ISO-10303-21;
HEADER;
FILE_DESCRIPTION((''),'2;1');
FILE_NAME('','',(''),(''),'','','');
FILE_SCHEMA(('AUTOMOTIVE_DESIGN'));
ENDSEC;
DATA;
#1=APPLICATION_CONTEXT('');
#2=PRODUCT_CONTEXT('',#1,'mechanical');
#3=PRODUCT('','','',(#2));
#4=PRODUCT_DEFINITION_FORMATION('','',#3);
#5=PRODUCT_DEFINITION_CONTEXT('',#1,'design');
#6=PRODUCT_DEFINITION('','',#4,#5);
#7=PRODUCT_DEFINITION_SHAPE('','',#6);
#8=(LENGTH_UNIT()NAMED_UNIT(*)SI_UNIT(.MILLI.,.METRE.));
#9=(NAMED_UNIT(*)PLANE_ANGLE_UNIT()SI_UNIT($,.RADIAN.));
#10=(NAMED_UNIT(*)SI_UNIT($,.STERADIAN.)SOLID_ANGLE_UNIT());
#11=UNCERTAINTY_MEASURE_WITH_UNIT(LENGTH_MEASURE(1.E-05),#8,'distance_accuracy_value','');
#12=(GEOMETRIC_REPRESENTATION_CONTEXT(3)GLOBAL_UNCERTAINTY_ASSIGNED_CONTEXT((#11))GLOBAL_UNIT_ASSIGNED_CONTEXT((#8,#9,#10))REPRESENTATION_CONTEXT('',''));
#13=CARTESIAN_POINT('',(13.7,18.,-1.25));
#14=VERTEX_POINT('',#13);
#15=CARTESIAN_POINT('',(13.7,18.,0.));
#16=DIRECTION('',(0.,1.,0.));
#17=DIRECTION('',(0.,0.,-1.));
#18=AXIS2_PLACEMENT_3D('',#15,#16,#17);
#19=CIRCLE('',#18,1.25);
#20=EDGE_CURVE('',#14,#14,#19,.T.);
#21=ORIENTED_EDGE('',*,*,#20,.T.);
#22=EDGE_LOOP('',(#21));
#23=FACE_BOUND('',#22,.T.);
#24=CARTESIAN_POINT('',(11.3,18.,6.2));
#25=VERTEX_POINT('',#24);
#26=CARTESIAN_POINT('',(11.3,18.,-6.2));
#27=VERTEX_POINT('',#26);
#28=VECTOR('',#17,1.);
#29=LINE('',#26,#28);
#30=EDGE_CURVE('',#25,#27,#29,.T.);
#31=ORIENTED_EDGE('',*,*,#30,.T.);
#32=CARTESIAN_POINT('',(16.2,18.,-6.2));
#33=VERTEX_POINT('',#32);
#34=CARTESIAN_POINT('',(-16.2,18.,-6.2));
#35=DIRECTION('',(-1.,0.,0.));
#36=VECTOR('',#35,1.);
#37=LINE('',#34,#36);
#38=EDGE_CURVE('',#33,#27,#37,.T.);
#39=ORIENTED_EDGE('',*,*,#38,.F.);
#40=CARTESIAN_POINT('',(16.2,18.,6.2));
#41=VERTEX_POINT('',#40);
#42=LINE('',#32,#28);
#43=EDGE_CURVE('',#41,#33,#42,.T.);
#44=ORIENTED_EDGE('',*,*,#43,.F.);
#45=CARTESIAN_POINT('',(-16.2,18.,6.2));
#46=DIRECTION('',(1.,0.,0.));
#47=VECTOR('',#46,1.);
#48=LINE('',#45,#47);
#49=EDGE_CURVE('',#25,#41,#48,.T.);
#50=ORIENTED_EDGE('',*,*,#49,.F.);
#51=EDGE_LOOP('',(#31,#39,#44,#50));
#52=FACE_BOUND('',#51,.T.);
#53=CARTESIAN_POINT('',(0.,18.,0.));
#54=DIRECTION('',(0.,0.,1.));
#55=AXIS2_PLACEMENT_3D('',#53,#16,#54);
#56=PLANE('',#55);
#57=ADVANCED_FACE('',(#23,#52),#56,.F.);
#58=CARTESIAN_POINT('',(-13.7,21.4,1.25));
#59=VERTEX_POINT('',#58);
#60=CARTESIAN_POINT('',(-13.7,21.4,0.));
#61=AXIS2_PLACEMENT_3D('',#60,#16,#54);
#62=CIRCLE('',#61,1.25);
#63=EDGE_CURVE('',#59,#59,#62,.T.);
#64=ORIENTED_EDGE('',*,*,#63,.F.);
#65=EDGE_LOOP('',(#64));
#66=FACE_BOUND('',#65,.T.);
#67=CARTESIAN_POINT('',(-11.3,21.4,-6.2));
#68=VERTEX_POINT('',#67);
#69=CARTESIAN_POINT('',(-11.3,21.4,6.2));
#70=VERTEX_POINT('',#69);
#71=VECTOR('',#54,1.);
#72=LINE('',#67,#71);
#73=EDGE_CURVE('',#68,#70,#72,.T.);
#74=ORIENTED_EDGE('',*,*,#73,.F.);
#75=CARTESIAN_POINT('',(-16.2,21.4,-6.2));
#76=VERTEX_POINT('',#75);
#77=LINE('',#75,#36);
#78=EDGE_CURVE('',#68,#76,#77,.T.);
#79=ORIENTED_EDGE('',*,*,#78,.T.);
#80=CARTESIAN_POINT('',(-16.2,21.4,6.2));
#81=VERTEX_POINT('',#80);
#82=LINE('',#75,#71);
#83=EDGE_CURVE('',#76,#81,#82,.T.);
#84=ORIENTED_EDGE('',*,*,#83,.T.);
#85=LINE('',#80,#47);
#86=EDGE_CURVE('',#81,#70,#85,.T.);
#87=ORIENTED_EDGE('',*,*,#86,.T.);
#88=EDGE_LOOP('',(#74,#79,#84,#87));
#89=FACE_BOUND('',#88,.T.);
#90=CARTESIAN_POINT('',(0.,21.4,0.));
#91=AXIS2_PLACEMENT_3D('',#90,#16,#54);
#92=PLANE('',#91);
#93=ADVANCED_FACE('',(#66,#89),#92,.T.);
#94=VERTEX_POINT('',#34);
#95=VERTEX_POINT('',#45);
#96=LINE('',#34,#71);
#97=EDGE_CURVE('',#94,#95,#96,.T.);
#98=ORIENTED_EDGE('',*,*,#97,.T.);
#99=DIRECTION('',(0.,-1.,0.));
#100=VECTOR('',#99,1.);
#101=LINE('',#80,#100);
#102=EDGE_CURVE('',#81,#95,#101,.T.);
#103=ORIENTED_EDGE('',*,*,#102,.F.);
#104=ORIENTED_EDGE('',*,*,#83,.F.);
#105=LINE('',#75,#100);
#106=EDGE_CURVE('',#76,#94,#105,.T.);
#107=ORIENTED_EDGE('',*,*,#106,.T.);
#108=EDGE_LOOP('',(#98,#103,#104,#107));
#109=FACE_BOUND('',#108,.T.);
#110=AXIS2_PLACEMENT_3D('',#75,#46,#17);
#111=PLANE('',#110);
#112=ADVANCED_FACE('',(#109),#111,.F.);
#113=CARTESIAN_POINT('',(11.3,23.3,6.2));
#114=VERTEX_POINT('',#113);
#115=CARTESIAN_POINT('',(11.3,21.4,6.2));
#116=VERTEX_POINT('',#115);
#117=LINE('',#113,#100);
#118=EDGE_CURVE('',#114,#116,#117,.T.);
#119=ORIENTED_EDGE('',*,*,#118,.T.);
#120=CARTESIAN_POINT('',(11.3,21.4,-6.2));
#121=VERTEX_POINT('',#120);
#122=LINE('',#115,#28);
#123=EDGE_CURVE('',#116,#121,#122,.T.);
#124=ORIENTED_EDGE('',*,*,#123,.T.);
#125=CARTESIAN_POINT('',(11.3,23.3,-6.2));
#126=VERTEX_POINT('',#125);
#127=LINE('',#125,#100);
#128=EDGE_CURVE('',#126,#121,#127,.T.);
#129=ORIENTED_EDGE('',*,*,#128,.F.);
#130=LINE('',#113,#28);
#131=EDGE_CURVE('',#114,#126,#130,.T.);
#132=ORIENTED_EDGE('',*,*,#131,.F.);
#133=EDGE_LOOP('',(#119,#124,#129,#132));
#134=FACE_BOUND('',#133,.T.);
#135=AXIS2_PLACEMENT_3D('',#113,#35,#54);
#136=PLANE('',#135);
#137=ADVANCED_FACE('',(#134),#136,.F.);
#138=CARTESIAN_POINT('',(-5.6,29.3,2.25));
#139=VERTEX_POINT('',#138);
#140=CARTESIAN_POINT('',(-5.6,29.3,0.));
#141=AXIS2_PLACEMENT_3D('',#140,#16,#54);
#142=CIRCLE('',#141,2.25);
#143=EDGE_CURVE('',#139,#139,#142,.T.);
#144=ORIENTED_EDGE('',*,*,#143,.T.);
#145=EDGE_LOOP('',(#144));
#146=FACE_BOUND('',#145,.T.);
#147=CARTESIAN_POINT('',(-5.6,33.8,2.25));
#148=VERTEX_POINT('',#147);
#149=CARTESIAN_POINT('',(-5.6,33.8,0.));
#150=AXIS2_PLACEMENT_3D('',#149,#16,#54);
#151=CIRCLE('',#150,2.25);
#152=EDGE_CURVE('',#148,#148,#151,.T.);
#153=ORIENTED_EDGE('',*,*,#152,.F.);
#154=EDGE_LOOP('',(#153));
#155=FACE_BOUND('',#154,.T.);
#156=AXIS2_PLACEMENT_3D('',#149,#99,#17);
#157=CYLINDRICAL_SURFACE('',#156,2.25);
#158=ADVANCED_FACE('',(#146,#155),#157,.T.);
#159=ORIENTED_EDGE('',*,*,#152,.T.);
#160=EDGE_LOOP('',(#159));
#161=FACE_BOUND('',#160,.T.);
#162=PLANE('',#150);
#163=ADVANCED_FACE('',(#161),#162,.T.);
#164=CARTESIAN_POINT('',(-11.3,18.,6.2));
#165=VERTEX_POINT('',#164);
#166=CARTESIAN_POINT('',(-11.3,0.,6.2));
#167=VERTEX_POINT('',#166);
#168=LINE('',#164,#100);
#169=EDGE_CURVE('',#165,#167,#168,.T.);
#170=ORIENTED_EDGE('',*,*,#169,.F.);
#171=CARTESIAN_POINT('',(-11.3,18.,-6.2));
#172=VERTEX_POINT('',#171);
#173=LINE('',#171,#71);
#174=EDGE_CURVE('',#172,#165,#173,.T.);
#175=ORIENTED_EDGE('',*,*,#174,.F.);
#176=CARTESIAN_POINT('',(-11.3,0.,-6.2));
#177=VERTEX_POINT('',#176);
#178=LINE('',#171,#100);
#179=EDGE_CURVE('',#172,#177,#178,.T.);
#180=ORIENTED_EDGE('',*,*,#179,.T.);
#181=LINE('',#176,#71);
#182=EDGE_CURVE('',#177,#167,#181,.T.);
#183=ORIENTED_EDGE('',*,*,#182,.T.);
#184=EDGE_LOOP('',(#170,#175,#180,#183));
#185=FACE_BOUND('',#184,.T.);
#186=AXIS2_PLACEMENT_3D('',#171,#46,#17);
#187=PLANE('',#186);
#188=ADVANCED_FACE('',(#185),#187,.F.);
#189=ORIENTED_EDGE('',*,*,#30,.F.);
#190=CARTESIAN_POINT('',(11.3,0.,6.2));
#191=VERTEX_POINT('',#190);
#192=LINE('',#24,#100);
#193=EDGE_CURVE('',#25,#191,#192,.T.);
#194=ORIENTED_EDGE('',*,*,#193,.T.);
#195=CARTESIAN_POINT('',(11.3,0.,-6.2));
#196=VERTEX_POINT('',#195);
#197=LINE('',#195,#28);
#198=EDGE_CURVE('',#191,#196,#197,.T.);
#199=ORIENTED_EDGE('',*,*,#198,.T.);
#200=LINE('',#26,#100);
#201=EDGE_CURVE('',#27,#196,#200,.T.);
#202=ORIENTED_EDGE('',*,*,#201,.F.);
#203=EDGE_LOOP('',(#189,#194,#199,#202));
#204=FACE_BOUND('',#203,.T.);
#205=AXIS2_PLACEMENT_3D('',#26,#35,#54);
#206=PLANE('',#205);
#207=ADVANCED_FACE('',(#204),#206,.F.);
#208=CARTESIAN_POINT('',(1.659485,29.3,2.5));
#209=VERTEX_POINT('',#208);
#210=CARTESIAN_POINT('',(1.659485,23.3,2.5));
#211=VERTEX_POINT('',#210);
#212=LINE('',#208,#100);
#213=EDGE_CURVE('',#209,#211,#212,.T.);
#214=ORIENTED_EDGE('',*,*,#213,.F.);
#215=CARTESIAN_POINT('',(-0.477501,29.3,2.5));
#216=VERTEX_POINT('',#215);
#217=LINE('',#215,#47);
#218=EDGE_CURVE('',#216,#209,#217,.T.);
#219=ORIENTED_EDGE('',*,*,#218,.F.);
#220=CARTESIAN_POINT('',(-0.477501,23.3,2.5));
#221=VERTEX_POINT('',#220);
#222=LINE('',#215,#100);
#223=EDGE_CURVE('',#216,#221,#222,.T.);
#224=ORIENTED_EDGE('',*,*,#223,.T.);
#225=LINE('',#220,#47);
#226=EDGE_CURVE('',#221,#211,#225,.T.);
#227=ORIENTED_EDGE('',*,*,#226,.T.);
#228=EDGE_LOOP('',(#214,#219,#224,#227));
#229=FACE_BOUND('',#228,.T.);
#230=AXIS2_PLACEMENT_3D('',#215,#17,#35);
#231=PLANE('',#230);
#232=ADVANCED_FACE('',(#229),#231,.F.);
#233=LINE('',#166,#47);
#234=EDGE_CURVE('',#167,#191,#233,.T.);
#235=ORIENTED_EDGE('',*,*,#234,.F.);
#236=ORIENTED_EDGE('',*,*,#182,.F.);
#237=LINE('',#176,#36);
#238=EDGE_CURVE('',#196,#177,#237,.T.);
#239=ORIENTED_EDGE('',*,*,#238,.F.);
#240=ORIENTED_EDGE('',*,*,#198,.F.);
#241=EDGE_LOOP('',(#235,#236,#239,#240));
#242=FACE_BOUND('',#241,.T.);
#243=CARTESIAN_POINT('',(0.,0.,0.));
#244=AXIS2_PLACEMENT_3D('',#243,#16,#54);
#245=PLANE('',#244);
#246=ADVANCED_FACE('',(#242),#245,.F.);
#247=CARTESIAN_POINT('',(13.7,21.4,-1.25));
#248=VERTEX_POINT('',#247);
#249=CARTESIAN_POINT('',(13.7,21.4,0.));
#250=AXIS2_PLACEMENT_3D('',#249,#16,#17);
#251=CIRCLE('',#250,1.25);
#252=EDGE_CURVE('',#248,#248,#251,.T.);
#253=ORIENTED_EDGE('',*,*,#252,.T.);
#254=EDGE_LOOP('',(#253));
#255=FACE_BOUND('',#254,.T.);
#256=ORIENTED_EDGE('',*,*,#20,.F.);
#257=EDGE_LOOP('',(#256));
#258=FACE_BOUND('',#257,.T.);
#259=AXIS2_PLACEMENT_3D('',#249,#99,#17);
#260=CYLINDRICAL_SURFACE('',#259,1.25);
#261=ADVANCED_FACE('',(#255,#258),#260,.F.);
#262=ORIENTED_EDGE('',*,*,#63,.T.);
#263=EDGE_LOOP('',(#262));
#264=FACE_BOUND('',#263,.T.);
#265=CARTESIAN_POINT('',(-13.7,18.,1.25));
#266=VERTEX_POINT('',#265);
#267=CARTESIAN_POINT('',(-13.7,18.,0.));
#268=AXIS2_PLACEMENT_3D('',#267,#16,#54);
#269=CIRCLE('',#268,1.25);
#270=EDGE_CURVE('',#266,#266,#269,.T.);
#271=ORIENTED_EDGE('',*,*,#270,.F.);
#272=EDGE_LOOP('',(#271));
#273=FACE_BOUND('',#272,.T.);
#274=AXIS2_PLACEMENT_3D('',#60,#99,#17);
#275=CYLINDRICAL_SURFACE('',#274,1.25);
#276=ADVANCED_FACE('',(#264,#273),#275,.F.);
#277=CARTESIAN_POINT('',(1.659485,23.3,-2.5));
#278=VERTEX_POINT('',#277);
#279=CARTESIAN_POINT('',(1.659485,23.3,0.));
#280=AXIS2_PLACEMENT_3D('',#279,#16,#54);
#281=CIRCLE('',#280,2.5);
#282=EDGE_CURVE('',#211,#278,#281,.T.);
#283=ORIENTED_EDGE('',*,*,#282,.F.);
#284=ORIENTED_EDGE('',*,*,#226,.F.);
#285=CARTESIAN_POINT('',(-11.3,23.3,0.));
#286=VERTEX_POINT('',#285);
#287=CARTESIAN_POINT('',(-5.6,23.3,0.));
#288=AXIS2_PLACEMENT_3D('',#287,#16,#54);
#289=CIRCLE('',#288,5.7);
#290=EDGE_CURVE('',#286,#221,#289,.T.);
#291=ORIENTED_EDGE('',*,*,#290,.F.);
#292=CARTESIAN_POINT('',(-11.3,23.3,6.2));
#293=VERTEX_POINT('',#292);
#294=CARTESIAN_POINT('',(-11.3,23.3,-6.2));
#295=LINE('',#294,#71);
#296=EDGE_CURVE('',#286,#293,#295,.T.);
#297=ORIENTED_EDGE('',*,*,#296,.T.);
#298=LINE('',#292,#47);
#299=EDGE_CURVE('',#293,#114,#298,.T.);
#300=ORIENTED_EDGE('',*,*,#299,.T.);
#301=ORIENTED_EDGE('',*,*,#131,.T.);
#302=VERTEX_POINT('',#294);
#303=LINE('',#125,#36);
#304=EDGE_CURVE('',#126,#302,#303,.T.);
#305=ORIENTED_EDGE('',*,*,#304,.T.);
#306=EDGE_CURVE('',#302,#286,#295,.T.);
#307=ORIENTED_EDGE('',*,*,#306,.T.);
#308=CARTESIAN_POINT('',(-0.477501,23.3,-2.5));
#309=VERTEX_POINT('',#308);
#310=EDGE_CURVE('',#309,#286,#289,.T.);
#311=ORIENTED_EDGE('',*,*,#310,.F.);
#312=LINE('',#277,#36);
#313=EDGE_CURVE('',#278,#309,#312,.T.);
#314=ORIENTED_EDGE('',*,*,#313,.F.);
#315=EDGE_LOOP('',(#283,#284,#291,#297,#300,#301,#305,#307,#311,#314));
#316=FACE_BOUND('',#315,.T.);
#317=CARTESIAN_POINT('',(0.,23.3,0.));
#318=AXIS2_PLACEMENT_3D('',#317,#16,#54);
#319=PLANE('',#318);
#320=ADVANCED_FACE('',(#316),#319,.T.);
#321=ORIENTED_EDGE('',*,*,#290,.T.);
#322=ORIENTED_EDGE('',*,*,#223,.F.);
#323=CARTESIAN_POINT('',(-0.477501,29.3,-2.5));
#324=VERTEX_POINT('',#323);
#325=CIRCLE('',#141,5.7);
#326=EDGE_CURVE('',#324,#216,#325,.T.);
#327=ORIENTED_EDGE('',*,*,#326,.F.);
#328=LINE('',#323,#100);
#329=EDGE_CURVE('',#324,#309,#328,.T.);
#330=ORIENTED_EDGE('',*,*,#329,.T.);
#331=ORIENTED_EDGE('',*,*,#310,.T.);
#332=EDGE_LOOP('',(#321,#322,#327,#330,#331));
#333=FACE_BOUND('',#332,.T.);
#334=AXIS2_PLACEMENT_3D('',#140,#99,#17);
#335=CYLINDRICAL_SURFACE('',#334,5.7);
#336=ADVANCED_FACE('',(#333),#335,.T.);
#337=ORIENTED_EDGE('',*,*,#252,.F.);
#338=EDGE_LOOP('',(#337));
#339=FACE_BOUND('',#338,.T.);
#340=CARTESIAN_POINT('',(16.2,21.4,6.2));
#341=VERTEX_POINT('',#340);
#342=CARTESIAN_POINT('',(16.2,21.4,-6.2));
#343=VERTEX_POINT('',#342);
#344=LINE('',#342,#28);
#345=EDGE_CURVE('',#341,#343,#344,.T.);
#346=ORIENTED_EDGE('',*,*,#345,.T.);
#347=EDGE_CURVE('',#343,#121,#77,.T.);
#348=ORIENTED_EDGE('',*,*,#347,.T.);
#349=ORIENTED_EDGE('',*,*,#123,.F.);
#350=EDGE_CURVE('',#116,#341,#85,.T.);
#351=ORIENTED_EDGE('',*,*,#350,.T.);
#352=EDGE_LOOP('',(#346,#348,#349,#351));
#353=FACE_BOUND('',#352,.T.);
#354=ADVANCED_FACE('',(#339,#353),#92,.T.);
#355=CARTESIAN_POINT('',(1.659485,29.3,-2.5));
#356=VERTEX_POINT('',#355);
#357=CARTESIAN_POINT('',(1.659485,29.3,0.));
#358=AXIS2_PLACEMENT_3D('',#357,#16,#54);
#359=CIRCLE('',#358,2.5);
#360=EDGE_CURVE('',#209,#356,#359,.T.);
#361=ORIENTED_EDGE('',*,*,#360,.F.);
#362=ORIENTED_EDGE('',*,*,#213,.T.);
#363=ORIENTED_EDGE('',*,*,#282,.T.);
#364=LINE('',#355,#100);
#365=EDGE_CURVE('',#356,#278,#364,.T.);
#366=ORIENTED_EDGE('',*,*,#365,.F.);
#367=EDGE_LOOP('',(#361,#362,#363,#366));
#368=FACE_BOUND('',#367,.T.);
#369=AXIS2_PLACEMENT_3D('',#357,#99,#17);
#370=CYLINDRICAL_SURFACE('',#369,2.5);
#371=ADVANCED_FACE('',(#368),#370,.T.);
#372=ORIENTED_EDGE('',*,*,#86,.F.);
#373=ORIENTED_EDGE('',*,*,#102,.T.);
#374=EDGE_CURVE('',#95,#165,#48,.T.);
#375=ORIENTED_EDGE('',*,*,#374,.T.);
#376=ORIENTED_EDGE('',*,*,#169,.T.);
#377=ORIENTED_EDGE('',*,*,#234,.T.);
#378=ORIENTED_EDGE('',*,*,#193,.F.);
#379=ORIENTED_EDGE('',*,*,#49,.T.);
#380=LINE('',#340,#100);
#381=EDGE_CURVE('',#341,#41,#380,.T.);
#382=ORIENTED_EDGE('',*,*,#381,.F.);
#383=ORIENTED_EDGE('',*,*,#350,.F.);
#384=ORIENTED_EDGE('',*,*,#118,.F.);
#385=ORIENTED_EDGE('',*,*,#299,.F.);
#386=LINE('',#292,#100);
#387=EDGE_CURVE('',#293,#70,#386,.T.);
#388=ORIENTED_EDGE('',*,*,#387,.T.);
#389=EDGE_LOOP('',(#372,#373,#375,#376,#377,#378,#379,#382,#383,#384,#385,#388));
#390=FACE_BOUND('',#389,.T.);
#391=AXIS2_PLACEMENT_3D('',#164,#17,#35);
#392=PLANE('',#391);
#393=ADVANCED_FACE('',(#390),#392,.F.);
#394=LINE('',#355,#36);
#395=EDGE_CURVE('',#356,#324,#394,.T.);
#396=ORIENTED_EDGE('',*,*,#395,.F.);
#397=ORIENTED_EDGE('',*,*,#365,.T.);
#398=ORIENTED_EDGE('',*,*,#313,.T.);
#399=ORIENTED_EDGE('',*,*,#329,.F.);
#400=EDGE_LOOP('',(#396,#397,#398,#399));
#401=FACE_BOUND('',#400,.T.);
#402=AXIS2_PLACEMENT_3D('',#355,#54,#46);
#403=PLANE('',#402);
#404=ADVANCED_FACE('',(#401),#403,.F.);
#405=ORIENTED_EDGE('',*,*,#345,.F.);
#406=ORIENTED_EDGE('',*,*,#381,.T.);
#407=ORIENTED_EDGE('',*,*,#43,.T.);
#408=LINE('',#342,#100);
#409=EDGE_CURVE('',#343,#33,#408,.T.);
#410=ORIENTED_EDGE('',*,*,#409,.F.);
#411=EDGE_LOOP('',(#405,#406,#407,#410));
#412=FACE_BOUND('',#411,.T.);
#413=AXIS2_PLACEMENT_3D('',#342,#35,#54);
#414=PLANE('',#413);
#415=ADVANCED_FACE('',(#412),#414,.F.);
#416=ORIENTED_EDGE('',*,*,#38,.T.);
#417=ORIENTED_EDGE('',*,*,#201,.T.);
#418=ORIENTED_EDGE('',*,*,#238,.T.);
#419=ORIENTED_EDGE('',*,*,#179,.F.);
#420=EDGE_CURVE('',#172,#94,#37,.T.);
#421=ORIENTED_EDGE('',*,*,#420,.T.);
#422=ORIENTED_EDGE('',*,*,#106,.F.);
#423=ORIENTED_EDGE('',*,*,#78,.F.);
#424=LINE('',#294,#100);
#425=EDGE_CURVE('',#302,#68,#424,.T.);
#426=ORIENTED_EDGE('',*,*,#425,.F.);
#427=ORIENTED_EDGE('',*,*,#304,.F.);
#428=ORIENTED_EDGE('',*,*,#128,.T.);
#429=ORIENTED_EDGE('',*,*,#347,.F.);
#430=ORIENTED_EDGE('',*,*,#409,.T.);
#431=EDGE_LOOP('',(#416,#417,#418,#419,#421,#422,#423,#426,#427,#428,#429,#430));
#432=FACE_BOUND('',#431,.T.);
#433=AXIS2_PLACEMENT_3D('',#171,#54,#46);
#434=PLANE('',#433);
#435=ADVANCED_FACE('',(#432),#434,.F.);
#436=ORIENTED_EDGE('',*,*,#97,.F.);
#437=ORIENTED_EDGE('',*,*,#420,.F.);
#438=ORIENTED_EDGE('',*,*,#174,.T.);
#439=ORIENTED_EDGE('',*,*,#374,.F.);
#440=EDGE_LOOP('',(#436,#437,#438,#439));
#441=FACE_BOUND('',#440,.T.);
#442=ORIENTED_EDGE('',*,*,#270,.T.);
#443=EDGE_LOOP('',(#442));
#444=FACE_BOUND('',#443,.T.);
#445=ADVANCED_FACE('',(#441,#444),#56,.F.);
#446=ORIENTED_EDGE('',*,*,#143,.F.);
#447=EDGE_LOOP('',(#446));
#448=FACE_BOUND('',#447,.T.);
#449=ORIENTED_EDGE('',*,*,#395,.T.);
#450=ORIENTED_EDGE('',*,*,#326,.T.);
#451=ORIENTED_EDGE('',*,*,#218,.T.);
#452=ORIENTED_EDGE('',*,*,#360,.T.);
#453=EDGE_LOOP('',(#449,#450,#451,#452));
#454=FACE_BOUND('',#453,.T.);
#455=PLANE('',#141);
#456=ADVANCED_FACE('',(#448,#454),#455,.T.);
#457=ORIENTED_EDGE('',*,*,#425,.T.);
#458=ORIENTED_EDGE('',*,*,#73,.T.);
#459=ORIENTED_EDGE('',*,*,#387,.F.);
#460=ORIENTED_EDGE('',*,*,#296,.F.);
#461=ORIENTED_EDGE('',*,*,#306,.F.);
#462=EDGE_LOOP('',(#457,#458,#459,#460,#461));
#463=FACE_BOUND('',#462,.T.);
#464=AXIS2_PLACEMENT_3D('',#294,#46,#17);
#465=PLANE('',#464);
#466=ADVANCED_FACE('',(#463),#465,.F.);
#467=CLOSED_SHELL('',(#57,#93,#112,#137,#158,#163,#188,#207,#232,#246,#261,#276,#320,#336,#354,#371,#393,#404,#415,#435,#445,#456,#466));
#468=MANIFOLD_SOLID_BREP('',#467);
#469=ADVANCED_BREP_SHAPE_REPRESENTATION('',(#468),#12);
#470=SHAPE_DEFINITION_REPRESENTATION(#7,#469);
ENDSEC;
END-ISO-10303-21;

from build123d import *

# Parameters (mm, degrees)
SKETCH_1_W      = 22.6
SKETCH_1_H      = 12.4
EXTRUDE_1_DEPTH = 18
SKETCH_2_W      = 32.4
SKETCH_2_H      = 12.4
SKETCH_2_R      = 1.25
EXTRUDE_2_DEPTH = 3.4
SKETCH_3_W      = 22.6
SKETCH_3_H      = 12.4
EXTRUDE_3_DEPTH = 1.9
EXTRUDE_4_DEPTH = 6
SKETCH_5_R      = 2.25
EXTRUDE_5_DEPTH = 4.5


with BuildPart() as part:
    # 草图1 → 凸台-拉伸1 (new body)
    with BuildSketch(Plane(origin=(0, 0, 0), x_dir=(1, 0, 0), z_dir=(0, 1, 0))):
        Rectangle(SKETCH_1_W, SKETCH_1_H)
    extrude(amount=EXTRUDE_1_DEPTH)

    # 草图2 → 凸台-拉伸2 (add)
    with BuildSketch(Plane(origin=(0, 18, 0), x_dir=(1, 0, 0), z_dir=(0, 1, 0))):
        Rectangle(SKETCH_2_W, SKETCH_2_H)
        with Locations((-13.7, 0)):
            Circle(SKETCH_2_R, mode=Mode.SUBTRACT)
        with Locations((13.7, 0)):
            Circle(SKETCH_2_R, mode=Mode.SUBTRACT)
    extrude(amount=EXTRUDE_2_DEPTH)

    # 草图3 → 凸台-拉伸3 (add)
    with BuildSketch(Plane(origin=(0, 21.4, 0), x_dir=(1, 0, 0), z_dir=(0, 1, 0))):
        Rectangle(SKETCH_3_W, SKETCH_3_H)
    extrude(amount=EXTRUDE_3_DEPTH)

    # 草图4 → 凸台-拉伸4 (add)
    with BuildSketch(Plane(origin=(0, 23.3, 0), x_dir=(1, 0, 0), z_dir=(0, 1, 0))):
        with BuildLine():
            Line((1.659485126, 2.5), (-0.47750061, 2.5))
            ThreePointArc((-0.47750061, 2.5), (-11.3, 0), (-0.47750061, -2.5))
            Line((-0.47750061, -2.5), (1.659485126, -2.5))
            ThreePointArc((1.659485126, -2.5), (4.159485126, 0), (1.659485126, 2.5))
        make_face()
    extrude(amount=EXTRUDE_4_DEPTH)

    # 草图5 → 凸台-拉伸5 (add)
    with BuildSketch(Plane(origin=(0, 29.3, 0), x_dir=(1, 0, 0), z_dir=(0, 1, 0))):
        with Locations((-5.6, 0)):
            Circle(SKETCH_5_R)
    extrude(amount=EXTRUDE_5_DEPTH)


solid = part.part
